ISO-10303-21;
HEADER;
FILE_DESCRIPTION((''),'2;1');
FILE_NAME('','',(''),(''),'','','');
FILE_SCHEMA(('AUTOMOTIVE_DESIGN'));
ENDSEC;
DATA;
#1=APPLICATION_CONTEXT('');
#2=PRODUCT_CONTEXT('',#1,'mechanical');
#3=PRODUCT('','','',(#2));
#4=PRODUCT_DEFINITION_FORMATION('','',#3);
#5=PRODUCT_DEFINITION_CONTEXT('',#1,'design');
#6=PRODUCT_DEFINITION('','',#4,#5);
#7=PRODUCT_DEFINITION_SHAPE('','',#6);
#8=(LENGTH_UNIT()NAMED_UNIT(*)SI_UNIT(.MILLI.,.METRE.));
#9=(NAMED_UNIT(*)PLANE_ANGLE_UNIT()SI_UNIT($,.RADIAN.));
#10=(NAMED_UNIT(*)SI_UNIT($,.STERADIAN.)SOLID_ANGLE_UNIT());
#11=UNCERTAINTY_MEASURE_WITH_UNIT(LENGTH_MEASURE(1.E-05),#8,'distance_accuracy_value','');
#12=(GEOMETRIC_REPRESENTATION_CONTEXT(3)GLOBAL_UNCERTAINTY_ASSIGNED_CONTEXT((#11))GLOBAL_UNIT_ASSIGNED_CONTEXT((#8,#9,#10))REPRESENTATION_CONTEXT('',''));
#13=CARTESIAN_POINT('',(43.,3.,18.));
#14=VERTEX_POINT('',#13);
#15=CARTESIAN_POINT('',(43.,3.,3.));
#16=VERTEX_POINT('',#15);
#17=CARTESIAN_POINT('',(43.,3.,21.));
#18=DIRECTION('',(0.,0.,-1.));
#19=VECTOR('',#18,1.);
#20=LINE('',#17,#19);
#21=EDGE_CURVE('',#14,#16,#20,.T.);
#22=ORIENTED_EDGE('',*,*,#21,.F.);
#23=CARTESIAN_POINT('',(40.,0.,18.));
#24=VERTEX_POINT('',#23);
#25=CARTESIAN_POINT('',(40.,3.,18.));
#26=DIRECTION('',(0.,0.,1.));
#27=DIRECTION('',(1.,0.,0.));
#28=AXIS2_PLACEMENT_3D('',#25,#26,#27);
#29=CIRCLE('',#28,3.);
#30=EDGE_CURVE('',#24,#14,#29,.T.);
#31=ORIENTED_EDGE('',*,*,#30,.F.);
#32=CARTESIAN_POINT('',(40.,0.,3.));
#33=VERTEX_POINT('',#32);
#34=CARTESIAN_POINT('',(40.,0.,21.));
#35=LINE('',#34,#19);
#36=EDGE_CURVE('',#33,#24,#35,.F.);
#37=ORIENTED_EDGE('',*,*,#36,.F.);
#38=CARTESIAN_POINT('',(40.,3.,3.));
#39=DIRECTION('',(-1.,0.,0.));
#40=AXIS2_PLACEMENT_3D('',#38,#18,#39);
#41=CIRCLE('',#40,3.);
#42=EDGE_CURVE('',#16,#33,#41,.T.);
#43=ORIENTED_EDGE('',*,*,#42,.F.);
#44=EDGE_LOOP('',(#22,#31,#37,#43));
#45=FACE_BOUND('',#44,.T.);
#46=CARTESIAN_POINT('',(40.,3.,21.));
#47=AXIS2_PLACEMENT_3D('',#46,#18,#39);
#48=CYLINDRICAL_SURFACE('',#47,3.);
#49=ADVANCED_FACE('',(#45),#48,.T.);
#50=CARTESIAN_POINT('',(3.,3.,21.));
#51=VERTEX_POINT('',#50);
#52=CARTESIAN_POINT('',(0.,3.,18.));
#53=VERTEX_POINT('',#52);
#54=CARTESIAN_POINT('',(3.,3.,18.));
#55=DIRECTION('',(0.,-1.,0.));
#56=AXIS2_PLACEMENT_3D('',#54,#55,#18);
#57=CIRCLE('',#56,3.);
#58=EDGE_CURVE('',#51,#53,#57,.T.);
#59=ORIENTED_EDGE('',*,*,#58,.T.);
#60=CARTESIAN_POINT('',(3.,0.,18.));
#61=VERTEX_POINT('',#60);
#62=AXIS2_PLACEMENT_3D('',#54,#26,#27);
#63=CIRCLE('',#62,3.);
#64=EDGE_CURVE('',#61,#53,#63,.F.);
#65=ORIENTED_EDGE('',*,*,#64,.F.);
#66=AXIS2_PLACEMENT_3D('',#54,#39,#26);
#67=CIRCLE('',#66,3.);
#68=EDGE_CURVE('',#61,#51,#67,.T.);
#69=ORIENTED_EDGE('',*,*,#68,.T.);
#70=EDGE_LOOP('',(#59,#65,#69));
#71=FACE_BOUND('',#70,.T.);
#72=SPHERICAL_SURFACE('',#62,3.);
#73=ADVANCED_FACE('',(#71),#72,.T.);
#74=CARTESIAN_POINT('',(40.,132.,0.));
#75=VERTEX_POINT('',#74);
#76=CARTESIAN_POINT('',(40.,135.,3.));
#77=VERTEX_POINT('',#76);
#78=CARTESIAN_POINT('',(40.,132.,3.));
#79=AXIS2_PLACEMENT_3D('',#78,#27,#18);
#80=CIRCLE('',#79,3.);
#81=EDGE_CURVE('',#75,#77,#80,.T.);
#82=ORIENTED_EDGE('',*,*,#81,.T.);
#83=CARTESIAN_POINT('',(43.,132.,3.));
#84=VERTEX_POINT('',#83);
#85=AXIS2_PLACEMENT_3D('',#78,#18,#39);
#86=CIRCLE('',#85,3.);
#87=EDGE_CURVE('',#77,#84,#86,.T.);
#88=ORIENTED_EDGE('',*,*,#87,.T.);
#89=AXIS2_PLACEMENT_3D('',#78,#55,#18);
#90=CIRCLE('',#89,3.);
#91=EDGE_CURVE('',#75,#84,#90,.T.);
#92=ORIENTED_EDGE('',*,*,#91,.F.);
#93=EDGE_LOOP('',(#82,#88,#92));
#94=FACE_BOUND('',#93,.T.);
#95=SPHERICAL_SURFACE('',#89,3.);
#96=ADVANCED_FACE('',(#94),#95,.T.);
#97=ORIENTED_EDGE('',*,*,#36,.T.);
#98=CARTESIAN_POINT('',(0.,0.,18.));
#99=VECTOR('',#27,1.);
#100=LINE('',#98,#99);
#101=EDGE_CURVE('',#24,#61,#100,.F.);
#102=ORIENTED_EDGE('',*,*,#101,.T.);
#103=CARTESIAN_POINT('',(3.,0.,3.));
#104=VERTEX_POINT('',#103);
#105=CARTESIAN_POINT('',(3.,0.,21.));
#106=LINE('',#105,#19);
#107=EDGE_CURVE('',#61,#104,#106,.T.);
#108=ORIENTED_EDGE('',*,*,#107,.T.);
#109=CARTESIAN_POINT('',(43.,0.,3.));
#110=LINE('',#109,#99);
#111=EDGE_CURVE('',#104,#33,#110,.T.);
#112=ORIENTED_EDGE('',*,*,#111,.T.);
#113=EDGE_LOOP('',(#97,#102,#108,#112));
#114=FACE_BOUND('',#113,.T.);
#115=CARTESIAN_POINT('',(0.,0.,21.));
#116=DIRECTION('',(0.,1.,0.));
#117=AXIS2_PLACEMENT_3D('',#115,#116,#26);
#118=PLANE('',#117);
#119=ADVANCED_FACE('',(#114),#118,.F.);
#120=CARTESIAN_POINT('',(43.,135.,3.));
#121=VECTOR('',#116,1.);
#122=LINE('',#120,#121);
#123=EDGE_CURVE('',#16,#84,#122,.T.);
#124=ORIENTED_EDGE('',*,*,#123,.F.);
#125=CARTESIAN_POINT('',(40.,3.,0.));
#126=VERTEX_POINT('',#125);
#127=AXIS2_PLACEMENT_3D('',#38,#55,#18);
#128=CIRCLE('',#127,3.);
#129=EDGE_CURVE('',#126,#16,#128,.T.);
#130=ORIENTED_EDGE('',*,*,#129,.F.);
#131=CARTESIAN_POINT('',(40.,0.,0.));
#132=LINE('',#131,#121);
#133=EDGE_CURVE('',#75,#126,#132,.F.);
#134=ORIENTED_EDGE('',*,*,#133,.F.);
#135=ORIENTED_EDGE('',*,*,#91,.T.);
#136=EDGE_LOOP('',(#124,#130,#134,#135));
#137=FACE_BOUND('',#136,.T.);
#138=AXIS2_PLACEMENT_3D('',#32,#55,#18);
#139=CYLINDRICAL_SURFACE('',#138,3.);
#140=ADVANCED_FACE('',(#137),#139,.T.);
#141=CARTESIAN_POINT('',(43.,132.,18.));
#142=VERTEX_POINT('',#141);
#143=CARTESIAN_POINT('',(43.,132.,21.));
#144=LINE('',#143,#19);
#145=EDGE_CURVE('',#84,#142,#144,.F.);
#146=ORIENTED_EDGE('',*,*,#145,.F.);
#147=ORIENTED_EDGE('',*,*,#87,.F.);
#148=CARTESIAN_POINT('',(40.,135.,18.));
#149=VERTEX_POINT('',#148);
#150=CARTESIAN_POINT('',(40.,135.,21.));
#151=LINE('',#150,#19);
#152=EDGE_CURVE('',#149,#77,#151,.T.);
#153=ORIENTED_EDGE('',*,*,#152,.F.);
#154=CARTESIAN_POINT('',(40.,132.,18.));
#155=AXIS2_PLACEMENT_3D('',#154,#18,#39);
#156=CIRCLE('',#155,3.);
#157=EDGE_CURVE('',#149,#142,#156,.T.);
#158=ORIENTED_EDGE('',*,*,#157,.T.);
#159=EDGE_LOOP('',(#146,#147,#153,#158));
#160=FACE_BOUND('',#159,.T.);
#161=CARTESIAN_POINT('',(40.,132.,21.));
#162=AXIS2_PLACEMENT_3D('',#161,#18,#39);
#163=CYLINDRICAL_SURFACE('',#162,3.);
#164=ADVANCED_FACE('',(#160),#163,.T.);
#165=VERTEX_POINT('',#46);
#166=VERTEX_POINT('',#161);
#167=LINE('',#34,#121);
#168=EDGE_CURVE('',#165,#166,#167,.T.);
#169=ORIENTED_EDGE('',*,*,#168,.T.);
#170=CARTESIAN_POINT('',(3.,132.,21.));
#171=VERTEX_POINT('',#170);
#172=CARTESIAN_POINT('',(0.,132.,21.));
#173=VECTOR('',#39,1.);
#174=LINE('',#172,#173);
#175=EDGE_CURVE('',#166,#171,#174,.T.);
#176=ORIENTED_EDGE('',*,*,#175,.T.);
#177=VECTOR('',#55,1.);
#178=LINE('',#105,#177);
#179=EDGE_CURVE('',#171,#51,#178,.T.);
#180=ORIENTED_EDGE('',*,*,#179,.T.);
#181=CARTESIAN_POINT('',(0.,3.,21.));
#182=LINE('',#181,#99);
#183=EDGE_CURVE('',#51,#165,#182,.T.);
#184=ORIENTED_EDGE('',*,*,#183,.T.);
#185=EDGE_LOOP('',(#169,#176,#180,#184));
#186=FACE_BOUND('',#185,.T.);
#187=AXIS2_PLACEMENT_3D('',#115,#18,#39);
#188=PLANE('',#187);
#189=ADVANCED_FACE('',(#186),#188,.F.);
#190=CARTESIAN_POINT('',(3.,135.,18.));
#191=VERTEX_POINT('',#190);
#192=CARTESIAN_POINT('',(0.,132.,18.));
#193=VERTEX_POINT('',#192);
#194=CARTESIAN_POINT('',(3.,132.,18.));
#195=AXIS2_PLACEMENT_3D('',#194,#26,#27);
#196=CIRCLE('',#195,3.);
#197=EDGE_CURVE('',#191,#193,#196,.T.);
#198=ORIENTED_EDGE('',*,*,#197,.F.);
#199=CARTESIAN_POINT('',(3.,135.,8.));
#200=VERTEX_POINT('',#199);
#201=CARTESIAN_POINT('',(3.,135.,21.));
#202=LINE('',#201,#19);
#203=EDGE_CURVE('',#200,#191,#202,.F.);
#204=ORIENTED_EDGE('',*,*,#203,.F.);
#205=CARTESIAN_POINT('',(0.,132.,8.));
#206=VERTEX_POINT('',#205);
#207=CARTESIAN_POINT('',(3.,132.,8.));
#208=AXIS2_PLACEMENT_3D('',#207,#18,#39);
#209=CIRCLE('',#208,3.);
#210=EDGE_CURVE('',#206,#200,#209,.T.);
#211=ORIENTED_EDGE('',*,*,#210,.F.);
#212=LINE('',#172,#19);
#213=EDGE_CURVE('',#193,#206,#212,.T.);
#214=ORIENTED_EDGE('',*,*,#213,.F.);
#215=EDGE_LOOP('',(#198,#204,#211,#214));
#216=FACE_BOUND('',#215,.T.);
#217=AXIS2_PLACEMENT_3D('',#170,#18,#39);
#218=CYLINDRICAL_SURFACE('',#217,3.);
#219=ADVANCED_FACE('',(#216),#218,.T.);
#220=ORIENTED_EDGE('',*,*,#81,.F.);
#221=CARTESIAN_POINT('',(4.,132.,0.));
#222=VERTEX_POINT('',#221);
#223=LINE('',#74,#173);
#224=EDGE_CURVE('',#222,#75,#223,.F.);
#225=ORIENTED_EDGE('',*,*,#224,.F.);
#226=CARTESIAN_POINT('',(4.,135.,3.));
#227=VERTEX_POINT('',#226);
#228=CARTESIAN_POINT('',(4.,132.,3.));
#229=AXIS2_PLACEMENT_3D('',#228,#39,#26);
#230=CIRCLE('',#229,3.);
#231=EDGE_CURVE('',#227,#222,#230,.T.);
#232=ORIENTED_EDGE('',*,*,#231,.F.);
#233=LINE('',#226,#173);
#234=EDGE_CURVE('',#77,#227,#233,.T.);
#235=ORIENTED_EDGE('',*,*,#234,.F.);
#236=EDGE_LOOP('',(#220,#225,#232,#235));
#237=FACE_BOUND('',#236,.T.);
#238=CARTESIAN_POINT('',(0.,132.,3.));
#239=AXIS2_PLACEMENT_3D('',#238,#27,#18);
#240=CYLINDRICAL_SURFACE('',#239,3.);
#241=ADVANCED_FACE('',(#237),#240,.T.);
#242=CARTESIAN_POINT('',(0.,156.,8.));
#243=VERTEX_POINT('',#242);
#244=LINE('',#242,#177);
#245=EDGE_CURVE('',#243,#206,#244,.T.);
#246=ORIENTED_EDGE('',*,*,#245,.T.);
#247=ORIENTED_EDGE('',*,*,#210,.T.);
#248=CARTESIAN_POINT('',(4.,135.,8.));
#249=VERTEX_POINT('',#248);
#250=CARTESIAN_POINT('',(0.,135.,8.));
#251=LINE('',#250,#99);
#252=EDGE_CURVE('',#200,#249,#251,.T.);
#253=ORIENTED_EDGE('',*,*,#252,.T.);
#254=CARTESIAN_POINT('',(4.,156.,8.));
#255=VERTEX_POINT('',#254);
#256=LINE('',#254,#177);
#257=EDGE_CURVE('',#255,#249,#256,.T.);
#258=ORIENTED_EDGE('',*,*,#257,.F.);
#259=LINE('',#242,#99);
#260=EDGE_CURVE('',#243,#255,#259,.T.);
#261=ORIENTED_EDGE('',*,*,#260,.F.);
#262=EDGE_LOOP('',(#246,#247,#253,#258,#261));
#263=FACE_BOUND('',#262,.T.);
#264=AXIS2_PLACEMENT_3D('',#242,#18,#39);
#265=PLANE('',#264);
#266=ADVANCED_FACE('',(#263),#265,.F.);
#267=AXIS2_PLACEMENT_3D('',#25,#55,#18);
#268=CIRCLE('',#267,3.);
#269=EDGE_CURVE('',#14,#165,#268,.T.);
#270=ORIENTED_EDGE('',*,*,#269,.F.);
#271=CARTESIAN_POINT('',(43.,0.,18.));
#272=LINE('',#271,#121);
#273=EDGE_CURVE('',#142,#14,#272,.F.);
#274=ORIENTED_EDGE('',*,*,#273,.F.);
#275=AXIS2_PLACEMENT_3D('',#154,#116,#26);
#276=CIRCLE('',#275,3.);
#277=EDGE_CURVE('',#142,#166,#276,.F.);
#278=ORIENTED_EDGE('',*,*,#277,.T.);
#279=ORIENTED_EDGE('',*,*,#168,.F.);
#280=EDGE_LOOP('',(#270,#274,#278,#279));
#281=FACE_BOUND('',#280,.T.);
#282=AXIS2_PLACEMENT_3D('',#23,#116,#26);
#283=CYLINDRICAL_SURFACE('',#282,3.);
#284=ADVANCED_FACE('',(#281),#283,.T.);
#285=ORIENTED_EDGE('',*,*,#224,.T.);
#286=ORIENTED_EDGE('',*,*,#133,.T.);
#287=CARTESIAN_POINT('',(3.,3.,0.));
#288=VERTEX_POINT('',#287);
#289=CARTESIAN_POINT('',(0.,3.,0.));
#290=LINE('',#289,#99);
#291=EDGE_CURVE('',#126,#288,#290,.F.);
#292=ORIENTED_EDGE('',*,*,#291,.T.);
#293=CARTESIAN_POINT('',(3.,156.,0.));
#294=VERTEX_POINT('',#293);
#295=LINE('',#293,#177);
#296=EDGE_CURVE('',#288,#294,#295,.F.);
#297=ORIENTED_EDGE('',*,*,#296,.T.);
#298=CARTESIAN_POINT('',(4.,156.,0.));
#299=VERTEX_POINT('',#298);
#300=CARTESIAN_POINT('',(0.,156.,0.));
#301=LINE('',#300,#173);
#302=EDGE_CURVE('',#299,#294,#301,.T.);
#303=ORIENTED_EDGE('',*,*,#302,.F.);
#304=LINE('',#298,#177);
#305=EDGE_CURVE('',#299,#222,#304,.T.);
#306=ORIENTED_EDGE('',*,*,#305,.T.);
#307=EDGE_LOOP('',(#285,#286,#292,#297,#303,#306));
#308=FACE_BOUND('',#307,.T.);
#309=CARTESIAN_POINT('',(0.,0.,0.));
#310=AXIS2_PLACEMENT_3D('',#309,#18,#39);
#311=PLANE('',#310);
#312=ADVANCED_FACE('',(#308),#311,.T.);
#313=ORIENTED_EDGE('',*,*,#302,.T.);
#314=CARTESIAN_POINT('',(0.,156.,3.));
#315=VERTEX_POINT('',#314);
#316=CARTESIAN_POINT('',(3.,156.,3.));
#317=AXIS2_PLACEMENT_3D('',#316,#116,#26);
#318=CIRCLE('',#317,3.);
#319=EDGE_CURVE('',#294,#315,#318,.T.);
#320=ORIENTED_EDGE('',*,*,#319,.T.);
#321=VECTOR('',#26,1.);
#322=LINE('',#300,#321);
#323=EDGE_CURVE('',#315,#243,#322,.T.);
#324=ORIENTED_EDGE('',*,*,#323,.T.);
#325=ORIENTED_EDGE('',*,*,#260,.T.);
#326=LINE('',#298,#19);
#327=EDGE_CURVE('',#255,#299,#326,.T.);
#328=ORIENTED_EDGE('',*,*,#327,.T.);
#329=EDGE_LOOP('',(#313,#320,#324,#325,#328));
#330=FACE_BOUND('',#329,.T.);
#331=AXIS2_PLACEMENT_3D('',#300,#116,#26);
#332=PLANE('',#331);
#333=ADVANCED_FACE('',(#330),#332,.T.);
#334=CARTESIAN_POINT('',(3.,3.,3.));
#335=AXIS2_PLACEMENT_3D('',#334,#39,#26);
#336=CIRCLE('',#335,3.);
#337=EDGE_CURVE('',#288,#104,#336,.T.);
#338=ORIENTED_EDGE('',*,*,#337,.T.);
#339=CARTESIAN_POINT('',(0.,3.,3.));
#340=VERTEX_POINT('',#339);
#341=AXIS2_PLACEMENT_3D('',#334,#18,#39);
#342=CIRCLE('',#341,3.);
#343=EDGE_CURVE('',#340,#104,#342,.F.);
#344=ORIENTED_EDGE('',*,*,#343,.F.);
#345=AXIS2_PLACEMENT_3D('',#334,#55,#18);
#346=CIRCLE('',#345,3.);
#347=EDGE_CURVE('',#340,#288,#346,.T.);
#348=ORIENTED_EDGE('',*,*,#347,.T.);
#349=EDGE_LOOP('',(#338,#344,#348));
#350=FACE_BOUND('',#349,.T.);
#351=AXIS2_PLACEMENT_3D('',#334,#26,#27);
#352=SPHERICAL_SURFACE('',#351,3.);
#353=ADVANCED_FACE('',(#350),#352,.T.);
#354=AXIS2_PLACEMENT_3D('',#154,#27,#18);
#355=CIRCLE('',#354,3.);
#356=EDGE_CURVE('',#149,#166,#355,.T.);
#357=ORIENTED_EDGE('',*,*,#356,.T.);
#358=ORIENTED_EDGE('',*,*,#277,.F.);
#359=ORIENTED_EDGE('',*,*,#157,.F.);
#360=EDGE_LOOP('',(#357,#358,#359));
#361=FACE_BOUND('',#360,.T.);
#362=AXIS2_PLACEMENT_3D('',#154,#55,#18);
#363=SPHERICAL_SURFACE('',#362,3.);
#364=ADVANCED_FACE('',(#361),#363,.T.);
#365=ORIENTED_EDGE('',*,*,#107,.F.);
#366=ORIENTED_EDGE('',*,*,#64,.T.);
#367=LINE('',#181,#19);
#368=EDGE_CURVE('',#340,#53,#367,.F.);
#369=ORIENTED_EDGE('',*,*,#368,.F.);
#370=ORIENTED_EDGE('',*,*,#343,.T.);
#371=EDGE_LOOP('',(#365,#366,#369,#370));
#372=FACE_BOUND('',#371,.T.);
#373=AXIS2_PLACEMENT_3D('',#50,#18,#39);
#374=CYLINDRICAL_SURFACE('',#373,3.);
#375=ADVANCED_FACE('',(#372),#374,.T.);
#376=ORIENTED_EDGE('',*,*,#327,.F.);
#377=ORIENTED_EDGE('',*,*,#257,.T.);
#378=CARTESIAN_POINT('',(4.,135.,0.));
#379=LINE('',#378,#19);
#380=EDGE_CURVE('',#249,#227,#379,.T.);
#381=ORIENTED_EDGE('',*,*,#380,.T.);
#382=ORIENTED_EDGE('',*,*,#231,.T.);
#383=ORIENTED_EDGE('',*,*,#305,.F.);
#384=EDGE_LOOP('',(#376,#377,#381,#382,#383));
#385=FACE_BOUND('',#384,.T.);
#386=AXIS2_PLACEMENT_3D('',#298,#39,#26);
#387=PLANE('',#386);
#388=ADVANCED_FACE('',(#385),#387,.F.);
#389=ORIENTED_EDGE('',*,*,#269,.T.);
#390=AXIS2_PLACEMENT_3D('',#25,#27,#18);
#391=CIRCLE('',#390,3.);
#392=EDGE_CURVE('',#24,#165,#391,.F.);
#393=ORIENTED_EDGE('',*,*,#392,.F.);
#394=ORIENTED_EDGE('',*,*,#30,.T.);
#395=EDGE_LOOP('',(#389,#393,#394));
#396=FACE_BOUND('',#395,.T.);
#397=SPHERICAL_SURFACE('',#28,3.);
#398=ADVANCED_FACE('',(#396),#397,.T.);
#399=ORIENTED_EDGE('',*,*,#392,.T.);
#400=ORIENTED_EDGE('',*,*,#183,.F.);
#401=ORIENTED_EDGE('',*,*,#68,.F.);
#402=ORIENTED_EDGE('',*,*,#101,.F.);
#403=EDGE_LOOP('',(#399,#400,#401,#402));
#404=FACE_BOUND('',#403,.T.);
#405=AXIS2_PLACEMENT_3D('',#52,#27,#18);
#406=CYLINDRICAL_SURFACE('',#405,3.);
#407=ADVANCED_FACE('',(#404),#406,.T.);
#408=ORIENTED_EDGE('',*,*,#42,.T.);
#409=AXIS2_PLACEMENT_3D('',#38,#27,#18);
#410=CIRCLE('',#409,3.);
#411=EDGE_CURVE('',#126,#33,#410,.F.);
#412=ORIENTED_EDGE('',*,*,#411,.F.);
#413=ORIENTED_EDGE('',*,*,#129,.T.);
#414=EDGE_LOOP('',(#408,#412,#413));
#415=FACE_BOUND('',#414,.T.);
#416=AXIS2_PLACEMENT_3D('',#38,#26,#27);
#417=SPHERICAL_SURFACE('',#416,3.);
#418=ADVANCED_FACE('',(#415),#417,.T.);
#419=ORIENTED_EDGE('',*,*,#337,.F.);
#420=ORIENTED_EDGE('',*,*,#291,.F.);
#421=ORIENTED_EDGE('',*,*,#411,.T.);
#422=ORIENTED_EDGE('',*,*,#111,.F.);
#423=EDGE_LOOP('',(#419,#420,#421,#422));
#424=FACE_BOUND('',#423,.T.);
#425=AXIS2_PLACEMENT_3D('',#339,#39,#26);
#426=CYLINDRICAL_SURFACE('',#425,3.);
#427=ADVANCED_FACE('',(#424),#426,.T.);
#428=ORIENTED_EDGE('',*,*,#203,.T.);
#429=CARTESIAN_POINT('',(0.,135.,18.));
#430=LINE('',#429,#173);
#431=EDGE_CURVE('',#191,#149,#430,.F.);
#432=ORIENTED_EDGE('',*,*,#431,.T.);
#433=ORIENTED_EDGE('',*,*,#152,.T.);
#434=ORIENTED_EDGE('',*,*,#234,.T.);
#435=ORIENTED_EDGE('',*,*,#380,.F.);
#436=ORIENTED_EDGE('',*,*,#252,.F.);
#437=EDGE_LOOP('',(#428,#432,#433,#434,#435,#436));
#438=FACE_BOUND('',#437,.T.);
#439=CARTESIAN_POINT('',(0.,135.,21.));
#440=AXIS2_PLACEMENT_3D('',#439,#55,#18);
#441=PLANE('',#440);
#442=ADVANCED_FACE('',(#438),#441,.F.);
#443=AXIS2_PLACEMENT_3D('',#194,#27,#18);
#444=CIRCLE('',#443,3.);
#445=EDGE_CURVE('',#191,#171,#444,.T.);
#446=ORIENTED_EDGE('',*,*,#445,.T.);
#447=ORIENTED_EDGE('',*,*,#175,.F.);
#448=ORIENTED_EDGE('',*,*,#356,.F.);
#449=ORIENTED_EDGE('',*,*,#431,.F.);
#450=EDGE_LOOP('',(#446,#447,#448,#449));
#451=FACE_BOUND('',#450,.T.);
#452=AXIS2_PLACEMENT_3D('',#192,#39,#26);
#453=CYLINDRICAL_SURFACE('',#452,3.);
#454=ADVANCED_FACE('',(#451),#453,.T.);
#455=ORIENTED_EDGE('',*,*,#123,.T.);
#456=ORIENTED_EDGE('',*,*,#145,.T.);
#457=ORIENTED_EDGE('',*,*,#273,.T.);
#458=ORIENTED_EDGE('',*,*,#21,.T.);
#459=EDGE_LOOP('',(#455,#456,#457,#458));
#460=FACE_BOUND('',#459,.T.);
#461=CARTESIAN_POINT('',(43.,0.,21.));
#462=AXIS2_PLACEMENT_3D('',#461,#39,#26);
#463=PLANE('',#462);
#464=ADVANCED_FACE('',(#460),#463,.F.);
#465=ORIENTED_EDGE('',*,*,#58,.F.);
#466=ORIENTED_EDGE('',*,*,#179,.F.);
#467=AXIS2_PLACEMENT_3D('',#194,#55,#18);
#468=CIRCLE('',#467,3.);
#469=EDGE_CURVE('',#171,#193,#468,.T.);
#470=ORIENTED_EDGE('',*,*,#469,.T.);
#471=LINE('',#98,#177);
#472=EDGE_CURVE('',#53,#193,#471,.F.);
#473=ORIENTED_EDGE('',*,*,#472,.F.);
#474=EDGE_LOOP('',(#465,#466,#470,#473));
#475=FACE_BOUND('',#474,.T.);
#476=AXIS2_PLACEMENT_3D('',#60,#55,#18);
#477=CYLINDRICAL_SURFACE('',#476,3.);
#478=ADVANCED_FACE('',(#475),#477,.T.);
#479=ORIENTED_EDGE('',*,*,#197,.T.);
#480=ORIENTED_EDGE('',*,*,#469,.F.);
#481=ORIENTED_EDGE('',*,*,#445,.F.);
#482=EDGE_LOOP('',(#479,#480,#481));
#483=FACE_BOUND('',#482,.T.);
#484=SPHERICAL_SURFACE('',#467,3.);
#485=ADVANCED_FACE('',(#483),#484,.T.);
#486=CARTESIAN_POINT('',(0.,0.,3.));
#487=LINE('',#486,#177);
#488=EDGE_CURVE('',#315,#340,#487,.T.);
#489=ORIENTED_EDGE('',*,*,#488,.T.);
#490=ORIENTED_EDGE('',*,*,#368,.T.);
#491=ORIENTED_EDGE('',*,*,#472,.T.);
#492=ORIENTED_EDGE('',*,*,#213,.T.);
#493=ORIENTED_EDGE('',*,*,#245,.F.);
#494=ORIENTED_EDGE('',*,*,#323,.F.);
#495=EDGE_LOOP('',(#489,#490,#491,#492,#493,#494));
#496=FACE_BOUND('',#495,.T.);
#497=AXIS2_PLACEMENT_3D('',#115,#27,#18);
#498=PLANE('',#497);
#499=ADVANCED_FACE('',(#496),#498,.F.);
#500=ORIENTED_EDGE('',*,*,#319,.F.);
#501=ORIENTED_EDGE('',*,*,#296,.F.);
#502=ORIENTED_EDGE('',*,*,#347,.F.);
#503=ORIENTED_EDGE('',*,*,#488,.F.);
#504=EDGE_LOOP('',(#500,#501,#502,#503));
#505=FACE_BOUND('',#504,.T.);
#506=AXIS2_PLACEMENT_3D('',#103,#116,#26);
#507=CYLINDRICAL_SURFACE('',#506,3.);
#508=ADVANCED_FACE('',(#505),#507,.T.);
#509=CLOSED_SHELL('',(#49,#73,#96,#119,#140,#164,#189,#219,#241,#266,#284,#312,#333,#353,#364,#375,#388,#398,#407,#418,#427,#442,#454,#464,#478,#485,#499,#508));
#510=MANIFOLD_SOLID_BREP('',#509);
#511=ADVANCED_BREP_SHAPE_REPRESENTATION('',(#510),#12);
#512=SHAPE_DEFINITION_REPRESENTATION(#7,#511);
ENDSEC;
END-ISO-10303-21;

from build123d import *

# Parameters (mm, degrees)
ESBO_O1_W                = 43
ESBO_O1_H                = 135
RESSALTO_EXTRUS_O1_DEPTH = 21
ESBO_O2_W                = 4
ESBO_O2_H                = 8
RESSALTO_EXTRUS_O2_DEPTH = 21
FILETE2_R                = 3
FILETE3_R                = 3


with BuildPart() as part:
    # Esboço1 → Ressalto-extrusão1 (new body)
    with BuildSketch(Plane.XY):
        with Locations((21.5, 67.5)):
            Rectangle(ESBO_O1_W, ESBO_O1_H)
    extrude(amount=RESSALTO_EXTRUS_O1_DEPTH)

    # Esboço2 → Ressalto-extrusão2 (add)
    with BuildSketch(Plane(origin=(0, 135, 0), x_dir=(1, 0, 0), z_dir=(0, 1, 0))):
        with Locations((2, -4)):
            Rectangle(ESBO_O2_W, ESBO_O2_H)
    extrude(amount=RESSALTO_EXTRUS_O2_DEPTH)

    # Filete2
    filete2_edges = [part.edges().sort_by_distance(p)[0] for p in [
        (43, 67.5, 21),
        (0, 67.5, 21),
        (43, 67.5, 0),
        (21.5, 0, 0),
        (0, 78, 0),
        (43, 0, 10.5),
        (0, 0, 10.5),
        (21.5, 0, 21),
    ]]
    fillet(filete2_edges, radius=FILETE2_R)

    # Filete3
    filete3_edges = [part.edges().sort_by_distance(p)[0] for p in [
        (0, 135, 13),
        (21.5, 135, 21),
        (43, 135, 10.5),
        (22, 135, 0),
        (42.121320344, 135, 20.121320344),
        (0.878679656, 135, 20.121320344),
        (42.121320344, 135, 0.878679656),
    ]]
    fillet(filete3_edges, radius=FILETE3_R)


solid = part.part
